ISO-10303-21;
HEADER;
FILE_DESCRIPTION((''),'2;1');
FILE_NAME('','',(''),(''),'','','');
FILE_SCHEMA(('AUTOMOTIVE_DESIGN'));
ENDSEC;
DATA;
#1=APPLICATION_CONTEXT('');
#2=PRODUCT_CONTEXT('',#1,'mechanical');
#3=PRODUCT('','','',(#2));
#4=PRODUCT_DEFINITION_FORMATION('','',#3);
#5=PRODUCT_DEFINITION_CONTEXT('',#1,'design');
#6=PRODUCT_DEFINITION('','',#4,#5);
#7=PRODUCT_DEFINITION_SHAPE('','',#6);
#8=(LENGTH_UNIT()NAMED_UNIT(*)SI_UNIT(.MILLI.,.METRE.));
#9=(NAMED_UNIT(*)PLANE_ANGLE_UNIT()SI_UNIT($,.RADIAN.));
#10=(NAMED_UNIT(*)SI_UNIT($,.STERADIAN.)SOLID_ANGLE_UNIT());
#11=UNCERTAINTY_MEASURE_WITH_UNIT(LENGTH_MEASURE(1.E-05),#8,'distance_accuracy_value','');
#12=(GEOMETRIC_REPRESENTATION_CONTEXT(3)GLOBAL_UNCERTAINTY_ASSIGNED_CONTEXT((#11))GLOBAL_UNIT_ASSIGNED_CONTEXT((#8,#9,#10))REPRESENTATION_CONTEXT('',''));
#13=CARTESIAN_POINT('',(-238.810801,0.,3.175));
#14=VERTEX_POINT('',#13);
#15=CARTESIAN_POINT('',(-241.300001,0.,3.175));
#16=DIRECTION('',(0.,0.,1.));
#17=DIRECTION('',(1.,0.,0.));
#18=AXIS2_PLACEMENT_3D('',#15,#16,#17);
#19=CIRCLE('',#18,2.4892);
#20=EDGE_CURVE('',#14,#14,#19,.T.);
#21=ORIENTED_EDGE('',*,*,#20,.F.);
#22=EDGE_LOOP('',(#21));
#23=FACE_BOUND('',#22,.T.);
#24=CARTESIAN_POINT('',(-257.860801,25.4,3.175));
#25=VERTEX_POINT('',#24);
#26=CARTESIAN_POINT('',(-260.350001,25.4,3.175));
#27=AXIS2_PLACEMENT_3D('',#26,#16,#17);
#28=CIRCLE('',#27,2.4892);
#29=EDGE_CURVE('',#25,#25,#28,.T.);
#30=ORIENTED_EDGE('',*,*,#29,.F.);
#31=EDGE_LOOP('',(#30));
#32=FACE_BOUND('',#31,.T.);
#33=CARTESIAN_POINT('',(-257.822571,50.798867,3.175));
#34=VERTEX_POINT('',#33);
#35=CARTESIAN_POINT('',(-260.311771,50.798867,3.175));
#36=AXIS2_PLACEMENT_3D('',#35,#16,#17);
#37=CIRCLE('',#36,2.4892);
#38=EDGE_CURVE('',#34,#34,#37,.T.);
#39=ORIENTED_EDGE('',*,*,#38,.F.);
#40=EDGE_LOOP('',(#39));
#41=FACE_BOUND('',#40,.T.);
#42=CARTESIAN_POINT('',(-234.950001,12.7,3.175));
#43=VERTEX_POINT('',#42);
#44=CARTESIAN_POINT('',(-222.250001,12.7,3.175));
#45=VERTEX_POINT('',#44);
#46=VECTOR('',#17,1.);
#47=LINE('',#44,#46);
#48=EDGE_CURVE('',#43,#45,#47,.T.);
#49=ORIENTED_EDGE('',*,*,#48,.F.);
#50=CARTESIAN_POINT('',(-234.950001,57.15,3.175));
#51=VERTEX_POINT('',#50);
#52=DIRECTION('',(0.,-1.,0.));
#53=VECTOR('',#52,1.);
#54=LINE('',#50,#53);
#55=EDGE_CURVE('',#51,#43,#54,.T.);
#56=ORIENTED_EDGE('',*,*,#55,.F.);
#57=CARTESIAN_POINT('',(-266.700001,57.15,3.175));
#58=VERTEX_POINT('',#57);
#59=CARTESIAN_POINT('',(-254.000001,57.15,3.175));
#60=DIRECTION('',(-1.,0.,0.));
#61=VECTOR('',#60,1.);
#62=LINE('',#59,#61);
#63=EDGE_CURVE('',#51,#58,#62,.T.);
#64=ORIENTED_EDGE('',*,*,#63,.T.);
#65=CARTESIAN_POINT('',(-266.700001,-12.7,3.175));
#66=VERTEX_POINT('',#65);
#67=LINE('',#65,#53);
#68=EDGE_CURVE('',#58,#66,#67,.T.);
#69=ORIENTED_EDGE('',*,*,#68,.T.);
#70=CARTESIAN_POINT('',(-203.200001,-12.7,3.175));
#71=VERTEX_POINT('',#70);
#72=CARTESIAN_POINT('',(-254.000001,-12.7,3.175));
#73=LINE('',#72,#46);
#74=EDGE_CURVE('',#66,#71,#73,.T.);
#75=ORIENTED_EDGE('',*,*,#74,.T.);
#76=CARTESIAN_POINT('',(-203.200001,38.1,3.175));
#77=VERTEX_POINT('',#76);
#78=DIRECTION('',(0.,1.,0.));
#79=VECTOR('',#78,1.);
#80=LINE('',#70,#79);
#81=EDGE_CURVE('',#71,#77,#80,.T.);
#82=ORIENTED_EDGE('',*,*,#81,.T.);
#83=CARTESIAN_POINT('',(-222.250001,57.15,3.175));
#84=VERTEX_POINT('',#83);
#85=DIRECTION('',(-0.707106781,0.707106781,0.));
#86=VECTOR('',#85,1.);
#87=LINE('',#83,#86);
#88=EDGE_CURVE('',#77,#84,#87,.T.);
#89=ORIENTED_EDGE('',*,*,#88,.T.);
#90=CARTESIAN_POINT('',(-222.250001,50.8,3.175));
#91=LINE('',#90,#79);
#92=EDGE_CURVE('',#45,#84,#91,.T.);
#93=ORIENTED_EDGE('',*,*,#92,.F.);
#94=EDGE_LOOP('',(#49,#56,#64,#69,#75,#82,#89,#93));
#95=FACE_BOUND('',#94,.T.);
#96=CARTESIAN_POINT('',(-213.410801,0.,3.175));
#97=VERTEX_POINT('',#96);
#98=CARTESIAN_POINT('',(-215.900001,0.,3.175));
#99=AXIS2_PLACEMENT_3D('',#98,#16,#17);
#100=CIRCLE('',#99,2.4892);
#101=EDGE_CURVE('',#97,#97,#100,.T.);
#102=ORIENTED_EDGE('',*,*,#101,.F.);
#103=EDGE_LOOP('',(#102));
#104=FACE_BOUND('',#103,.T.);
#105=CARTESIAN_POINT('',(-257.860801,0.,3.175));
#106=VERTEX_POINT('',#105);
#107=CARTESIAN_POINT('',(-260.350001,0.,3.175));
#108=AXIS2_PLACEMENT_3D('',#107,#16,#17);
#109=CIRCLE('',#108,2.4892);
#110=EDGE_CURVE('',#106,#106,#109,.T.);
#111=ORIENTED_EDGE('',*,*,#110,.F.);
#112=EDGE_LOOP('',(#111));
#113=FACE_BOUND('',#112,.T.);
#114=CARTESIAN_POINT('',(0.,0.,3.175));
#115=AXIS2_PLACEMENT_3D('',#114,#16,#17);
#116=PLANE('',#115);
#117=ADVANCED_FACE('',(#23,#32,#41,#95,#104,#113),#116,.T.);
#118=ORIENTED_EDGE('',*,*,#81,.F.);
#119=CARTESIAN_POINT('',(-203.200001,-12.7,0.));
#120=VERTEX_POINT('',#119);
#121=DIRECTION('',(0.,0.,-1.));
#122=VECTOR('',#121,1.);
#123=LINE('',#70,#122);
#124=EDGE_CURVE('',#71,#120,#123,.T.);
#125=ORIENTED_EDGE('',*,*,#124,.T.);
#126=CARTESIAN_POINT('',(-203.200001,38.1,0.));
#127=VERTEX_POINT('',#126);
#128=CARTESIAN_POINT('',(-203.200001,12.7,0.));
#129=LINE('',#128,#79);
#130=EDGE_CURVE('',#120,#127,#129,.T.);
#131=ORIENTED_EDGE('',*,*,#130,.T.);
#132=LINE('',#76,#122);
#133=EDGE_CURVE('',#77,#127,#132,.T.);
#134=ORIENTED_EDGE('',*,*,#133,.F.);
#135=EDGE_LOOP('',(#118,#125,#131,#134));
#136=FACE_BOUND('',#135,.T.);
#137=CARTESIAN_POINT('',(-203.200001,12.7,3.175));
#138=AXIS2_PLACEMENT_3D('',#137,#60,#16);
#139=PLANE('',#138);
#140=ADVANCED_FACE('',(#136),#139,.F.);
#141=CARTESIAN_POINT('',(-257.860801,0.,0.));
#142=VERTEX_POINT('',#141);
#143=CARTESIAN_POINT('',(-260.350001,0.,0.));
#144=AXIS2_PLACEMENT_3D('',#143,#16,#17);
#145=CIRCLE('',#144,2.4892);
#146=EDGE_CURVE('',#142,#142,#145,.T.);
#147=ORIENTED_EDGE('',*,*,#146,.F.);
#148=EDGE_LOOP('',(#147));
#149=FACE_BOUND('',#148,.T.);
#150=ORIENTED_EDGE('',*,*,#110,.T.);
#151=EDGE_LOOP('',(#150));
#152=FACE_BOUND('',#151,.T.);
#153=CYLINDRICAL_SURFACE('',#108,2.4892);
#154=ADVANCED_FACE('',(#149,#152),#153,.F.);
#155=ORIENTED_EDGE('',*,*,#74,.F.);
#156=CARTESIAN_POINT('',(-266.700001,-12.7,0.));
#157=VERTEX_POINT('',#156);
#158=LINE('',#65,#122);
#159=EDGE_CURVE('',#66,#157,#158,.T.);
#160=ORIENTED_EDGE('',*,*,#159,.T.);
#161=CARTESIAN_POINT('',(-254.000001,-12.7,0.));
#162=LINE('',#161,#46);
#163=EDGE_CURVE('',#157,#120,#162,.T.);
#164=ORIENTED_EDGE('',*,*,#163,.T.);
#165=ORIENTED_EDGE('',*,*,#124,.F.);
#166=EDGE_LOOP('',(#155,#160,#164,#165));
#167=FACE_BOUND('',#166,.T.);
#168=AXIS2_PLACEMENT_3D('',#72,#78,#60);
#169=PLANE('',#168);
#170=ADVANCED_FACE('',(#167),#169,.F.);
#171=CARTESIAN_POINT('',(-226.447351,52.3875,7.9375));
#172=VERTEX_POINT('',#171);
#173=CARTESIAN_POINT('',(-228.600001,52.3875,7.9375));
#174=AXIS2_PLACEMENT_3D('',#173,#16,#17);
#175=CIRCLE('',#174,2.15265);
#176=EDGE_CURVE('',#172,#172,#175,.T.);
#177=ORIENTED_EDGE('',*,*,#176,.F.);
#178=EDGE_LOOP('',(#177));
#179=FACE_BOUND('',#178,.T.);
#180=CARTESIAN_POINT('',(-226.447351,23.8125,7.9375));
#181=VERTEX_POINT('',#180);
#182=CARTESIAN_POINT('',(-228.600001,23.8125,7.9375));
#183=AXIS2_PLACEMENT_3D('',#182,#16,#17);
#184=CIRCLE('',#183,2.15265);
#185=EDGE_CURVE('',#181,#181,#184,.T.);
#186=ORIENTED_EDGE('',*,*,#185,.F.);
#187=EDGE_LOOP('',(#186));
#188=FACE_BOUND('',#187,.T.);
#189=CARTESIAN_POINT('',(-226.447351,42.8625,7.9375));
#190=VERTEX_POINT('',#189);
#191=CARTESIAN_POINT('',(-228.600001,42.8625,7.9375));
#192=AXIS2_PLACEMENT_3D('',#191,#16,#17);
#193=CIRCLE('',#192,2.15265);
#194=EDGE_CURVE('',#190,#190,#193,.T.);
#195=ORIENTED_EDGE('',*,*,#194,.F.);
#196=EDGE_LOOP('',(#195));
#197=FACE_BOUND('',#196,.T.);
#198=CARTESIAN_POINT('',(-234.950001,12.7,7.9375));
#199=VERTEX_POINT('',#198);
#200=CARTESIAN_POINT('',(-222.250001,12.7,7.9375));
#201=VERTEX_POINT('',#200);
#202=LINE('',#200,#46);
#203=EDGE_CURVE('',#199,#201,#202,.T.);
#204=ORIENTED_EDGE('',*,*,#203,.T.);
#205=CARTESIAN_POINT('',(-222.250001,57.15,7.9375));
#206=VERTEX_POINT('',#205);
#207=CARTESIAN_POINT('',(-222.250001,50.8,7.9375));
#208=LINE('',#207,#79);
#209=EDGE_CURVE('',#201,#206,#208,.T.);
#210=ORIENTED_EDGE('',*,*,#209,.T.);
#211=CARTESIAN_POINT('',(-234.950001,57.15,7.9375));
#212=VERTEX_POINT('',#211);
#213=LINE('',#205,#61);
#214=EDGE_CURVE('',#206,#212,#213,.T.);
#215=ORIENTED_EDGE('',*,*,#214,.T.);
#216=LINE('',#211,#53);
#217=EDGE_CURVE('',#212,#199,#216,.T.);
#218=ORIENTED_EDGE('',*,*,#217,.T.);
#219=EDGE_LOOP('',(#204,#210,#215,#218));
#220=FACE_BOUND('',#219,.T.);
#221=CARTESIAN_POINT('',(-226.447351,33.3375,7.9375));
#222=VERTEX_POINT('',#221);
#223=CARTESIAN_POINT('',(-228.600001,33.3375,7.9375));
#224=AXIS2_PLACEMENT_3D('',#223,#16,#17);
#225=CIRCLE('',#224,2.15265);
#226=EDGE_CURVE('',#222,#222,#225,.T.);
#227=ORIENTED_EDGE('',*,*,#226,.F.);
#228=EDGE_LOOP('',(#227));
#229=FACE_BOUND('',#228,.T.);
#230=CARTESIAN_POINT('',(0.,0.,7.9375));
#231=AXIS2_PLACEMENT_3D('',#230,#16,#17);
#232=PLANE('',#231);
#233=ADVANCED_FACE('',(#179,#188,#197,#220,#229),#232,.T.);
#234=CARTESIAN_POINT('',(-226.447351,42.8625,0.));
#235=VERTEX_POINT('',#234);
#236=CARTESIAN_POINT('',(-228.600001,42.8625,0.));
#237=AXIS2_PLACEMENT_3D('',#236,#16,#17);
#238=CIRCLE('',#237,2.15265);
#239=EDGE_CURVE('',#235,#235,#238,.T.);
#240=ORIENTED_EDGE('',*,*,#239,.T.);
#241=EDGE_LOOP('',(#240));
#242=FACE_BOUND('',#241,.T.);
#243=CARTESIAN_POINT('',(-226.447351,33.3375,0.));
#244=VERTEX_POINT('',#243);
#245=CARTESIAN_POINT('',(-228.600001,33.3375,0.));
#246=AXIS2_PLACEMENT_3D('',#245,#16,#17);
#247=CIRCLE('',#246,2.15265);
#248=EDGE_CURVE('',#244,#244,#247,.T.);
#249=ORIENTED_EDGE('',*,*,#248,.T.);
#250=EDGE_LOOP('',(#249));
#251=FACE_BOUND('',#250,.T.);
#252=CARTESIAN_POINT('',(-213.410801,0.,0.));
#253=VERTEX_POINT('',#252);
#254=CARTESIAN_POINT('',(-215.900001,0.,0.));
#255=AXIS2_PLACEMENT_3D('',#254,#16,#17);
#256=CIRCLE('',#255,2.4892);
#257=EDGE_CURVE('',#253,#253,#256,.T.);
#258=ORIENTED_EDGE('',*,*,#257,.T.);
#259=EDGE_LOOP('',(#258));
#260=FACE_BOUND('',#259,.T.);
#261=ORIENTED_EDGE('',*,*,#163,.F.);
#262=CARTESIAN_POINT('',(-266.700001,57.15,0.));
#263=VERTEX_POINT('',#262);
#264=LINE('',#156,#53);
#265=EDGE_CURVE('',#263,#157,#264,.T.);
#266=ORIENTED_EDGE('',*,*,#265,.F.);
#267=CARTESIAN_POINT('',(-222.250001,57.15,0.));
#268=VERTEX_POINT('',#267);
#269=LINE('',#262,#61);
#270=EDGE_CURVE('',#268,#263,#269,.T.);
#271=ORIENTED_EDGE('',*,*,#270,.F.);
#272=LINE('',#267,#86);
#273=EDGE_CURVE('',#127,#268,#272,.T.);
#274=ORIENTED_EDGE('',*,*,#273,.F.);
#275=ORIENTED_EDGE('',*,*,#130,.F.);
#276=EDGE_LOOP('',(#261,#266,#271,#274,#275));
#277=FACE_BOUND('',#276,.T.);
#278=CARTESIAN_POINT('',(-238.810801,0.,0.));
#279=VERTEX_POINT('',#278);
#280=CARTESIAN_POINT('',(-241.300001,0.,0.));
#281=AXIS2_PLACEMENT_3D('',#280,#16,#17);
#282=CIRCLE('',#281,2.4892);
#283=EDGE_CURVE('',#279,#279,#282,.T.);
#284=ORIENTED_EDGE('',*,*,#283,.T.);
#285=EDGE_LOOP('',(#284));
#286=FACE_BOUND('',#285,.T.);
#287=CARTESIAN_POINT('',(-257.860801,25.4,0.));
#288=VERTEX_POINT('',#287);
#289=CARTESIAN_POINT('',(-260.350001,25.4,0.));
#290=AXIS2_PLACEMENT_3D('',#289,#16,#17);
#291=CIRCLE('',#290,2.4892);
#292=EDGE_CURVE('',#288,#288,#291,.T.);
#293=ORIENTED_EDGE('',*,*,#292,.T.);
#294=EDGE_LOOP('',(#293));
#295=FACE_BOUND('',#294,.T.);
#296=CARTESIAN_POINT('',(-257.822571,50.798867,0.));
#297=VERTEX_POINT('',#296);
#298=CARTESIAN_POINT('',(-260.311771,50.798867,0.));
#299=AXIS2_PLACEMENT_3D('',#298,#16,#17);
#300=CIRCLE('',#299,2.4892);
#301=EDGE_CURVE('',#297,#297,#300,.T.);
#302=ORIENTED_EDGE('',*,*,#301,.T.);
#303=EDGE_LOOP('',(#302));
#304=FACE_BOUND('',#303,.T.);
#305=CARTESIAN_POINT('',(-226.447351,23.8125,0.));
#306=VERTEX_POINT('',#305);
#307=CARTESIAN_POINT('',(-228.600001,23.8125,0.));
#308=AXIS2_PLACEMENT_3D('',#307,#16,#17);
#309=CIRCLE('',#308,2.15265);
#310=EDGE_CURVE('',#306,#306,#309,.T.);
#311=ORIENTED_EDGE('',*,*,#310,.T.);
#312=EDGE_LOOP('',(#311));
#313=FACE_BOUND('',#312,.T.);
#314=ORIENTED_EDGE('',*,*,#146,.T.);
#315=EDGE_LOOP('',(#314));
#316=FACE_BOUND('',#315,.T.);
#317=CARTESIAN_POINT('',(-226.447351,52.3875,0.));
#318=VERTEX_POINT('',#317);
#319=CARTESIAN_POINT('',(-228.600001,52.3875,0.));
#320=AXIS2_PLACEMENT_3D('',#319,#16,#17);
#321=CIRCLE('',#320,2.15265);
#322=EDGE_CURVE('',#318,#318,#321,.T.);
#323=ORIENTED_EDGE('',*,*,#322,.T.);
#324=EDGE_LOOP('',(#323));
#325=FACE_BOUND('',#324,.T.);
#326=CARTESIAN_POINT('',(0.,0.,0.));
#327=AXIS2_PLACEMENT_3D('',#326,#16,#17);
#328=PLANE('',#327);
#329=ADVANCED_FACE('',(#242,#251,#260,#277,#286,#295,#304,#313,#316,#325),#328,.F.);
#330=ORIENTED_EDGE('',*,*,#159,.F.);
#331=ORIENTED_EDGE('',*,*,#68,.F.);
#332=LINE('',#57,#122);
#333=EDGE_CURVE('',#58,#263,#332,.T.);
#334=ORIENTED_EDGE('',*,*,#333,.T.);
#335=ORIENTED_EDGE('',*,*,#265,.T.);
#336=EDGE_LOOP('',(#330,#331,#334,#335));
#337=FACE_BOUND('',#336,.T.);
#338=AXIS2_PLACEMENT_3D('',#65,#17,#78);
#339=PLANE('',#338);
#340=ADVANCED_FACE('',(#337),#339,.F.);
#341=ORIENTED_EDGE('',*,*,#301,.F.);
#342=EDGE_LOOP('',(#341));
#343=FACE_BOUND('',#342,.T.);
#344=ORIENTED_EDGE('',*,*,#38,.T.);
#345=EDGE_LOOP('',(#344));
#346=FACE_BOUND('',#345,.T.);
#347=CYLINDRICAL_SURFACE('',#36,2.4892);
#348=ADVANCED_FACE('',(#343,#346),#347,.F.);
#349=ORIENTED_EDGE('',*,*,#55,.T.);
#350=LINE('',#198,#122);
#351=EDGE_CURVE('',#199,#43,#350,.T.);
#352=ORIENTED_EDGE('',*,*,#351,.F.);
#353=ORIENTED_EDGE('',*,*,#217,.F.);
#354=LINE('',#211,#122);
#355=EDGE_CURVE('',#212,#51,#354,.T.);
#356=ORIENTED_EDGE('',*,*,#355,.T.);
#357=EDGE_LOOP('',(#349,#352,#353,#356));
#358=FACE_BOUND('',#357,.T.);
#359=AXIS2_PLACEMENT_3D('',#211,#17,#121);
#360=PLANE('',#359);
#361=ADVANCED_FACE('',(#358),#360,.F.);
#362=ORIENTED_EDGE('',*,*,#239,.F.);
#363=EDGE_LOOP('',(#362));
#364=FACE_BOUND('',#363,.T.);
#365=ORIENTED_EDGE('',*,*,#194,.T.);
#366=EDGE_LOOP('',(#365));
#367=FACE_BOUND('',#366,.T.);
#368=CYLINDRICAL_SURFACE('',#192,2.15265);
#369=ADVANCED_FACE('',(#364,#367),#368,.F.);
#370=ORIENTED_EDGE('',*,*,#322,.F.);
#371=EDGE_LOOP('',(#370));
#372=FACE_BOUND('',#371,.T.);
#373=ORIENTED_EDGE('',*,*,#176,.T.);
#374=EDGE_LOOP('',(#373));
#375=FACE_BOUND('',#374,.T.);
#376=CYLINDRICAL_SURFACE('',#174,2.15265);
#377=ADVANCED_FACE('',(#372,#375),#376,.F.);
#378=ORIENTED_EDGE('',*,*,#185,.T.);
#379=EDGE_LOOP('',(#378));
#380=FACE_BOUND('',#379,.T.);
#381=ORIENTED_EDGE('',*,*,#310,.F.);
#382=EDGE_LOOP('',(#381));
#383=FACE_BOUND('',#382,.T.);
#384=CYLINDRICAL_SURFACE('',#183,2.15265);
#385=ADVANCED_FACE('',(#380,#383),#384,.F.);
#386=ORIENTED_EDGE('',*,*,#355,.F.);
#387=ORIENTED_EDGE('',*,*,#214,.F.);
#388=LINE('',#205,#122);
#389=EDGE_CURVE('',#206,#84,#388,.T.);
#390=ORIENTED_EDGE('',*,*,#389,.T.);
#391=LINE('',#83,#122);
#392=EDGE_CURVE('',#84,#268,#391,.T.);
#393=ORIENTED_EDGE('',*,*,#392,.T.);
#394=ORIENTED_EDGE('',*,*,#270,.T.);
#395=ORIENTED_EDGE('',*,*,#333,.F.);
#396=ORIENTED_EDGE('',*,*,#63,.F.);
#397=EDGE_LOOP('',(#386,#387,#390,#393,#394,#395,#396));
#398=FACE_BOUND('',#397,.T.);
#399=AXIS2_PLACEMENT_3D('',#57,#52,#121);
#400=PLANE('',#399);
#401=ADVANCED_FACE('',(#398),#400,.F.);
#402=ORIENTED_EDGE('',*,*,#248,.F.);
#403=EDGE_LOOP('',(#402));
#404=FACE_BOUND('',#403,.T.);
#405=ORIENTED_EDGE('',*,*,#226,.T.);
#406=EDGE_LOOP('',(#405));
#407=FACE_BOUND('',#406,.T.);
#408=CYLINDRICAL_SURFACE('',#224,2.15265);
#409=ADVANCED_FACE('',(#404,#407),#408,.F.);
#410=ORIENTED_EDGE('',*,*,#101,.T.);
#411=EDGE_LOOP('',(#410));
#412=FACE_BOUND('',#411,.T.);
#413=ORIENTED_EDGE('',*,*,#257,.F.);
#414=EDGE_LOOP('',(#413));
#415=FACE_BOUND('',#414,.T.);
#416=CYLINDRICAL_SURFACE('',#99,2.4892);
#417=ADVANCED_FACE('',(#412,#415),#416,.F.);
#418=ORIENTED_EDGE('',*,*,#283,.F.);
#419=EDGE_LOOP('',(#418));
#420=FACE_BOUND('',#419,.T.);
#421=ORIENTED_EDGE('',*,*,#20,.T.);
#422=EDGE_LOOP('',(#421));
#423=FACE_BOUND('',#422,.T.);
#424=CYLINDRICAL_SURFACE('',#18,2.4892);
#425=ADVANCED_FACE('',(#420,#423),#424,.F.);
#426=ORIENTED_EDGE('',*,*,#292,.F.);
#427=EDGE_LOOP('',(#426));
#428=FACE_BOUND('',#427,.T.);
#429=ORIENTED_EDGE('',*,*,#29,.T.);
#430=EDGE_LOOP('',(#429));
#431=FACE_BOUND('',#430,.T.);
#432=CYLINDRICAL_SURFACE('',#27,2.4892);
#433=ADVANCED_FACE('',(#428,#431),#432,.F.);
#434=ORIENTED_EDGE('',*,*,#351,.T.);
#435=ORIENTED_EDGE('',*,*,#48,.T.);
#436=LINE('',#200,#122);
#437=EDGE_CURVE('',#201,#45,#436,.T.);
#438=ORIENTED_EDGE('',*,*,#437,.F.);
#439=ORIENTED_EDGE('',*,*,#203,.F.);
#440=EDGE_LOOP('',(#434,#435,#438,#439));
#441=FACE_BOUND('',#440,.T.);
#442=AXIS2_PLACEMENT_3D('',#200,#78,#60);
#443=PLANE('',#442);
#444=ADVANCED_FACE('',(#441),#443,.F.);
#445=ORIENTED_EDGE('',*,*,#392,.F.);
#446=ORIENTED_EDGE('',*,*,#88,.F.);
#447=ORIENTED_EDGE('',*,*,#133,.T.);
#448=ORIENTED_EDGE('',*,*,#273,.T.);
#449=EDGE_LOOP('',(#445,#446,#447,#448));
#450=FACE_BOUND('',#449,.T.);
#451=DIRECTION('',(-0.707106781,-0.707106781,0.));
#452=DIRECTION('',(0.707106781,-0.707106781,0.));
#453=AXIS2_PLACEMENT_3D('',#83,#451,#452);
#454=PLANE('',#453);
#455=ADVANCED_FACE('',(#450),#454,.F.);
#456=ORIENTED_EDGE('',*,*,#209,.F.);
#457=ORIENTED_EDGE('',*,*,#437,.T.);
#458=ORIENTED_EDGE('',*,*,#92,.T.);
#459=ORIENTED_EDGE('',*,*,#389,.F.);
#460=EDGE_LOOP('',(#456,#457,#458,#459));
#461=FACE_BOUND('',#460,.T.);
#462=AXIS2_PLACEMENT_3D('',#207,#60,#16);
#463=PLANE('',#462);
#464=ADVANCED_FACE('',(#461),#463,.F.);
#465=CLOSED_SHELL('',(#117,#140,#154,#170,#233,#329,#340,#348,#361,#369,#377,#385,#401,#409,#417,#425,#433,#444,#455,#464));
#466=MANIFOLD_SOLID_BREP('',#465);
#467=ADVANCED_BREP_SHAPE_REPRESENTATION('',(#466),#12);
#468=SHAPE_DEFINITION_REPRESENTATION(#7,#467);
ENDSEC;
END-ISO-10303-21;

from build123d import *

# Parameters (mm, degrees)
BOSS_EXTRUDE1_DEPTH    = 3.175
F_10_CLEARANCE_HOLE1_D = 4.9784
BOSS_EXTRUDE2_DEPTH    = 4.7625
F_8_CLEARANCE_HOLE1_D  = 4.3053


with BuildPart() as part:
    # Sketch1 → Boss-Extrude1 (new body)
    with BuildSketch(Plane.XY):
        Polygon((-254.000000508, -12.7), (-266.700000508, -12.7), (-266.700000508, 57.15), (-254.000000508, 57.15), (-222.250000508, 57.15), (-203.200000508, 38.1), (-203.200000508, 12.7), (-203.200000508, -12.7), align=None)
    extrude(amount=BOSS_EXTRUDE1_DEPTH)

    # #10 Clearance Hole1 (through all)
    with Locations(Plane.XY.offset(3.175)):
        with Locations((-260.311771093, 50.798866939), (-260.350000508, 25.4), (-260.350000508, 0), (-241.300000508, 0), (-215.900000508, 0)):
            Hole(F_10_CLEARANCE_HOLE1_D / 2)

    # Sketch5 → Boss-Extrude2 (add)
    with BuildSketch(Plane.XY.offset(3.175)):
        Polygon((-222.250000508, 57.15), (-234.950000508, 57.15), (-234.950000508, 12.7), (-222.250000508, 12.7), (-222.250000508, 50.8), align=None)
    extrude(amount=BOSS_EXTRUDE2_DEPTH)

    # #8 Clearance Hole1 (through all)
    with Locations(Plane.XY.offset(7.9375)):
        with Locations((-228.600000508, 42.8625), (-228.600000508, 52.3875), (-228.600000508, 33.3375), (-228.600000508, 23.8125)):
            Hole(F_8_CLEARANCE_HOLE1_D / 2)


solid = part.part
